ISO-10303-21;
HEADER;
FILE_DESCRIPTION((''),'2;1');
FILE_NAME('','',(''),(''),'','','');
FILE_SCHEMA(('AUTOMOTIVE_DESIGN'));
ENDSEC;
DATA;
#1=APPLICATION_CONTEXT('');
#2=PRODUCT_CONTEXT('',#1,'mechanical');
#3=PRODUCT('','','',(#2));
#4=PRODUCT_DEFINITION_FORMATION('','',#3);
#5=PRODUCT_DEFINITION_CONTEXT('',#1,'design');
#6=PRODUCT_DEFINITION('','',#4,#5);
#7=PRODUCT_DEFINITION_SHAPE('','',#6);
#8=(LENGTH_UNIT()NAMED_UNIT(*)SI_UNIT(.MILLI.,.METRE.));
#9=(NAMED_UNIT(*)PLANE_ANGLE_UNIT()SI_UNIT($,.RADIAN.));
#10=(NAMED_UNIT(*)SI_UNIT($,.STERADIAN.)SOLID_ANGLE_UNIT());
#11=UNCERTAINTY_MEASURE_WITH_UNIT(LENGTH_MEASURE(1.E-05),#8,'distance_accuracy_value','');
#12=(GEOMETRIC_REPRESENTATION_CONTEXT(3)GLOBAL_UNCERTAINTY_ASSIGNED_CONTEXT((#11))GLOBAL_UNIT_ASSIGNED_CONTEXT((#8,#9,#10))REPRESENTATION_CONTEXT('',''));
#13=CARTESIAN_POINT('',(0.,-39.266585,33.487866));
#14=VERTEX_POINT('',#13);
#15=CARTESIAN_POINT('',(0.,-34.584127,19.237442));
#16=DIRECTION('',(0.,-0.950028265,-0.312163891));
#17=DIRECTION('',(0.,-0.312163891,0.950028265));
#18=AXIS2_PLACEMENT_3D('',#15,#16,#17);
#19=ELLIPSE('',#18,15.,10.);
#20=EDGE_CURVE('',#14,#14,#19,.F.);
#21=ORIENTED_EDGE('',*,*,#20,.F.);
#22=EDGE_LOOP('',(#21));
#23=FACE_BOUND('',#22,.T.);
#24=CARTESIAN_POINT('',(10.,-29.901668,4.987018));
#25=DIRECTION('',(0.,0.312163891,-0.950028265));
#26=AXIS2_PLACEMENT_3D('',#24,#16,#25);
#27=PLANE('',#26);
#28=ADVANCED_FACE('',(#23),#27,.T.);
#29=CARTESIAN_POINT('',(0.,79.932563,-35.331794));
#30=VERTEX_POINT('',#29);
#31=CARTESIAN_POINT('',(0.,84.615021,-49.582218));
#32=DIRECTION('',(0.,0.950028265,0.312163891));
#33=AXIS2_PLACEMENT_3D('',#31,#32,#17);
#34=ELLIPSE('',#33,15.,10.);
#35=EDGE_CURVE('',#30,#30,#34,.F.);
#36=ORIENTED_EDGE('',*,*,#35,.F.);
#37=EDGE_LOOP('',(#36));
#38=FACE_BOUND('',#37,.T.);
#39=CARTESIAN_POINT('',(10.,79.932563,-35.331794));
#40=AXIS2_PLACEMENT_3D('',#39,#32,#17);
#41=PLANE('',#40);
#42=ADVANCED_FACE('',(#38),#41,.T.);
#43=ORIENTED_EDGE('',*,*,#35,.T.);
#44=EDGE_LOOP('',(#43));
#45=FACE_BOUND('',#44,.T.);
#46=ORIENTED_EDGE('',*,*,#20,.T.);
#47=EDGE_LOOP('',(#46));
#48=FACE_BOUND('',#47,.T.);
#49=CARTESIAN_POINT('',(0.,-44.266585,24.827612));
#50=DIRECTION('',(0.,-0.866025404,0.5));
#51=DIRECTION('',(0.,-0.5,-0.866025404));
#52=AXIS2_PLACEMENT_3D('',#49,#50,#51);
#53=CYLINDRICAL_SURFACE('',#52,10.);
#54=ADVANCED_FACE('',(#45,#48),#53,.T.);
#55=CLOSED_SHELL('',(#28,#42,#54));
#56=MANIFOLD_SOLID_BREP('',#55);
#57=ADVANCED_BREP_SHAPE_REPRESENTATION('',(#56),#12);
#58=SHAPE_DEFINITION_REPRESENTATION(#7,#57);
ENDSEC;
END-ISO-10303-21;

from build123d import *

# Parameters (mm, degrees)
KES_EKSTR_ZYON1_DEPTH      = 10
KES_EKSTR_ZYON1_DEPTH_BACK = 10


with BuildPart() as part:
    # Çizim1 → Döndür-İnce1 (revolve)
    with BuildSketch(Plane(origin=(0, 0, 0), x_dir=(0, 0, -1), z_dir=(1, 0, 0))):
        Polygon((-24.827612123, -44.26658513), (55.172387877, 94.297479476), (46.51213384, 99.297479476), (-33.48786616, -39.26658513), align=None)
    revolve(axis=Axis((0, -44.26658513, 24.827612123), (0, 0.8660254037844387, -0.5000000000000001)))

    # Çizim3 → Kes-Ekstrüzyon1 (cut, two sides: drawn at the far end of the back side and taken through both)
    with BuildSketch(Plane(origin=(0, 0, 0), x_dir=(0, 0, -1), z_dir=(1, 0, 0)).offset(-KES_EKSTR_ZYON1_DEPTH_BACK)):
        Polygon((63.832641915, 89.297479476), (46.51213384, 99.297479476), (35.331793952, 79.932562745), align=None)
        Polygon((-33.48786616, -39.26658513), (-16.167358085, -49.26658513), (-4.987018197, -29.901668399), align=None)
    extrude(amount=KES_EKSTR_ZYON1_DEPTH + KES_EKSTR_ZYON1_DEPTH_BACK, mode=Mode.SUBTRACT)


solid = part.part
